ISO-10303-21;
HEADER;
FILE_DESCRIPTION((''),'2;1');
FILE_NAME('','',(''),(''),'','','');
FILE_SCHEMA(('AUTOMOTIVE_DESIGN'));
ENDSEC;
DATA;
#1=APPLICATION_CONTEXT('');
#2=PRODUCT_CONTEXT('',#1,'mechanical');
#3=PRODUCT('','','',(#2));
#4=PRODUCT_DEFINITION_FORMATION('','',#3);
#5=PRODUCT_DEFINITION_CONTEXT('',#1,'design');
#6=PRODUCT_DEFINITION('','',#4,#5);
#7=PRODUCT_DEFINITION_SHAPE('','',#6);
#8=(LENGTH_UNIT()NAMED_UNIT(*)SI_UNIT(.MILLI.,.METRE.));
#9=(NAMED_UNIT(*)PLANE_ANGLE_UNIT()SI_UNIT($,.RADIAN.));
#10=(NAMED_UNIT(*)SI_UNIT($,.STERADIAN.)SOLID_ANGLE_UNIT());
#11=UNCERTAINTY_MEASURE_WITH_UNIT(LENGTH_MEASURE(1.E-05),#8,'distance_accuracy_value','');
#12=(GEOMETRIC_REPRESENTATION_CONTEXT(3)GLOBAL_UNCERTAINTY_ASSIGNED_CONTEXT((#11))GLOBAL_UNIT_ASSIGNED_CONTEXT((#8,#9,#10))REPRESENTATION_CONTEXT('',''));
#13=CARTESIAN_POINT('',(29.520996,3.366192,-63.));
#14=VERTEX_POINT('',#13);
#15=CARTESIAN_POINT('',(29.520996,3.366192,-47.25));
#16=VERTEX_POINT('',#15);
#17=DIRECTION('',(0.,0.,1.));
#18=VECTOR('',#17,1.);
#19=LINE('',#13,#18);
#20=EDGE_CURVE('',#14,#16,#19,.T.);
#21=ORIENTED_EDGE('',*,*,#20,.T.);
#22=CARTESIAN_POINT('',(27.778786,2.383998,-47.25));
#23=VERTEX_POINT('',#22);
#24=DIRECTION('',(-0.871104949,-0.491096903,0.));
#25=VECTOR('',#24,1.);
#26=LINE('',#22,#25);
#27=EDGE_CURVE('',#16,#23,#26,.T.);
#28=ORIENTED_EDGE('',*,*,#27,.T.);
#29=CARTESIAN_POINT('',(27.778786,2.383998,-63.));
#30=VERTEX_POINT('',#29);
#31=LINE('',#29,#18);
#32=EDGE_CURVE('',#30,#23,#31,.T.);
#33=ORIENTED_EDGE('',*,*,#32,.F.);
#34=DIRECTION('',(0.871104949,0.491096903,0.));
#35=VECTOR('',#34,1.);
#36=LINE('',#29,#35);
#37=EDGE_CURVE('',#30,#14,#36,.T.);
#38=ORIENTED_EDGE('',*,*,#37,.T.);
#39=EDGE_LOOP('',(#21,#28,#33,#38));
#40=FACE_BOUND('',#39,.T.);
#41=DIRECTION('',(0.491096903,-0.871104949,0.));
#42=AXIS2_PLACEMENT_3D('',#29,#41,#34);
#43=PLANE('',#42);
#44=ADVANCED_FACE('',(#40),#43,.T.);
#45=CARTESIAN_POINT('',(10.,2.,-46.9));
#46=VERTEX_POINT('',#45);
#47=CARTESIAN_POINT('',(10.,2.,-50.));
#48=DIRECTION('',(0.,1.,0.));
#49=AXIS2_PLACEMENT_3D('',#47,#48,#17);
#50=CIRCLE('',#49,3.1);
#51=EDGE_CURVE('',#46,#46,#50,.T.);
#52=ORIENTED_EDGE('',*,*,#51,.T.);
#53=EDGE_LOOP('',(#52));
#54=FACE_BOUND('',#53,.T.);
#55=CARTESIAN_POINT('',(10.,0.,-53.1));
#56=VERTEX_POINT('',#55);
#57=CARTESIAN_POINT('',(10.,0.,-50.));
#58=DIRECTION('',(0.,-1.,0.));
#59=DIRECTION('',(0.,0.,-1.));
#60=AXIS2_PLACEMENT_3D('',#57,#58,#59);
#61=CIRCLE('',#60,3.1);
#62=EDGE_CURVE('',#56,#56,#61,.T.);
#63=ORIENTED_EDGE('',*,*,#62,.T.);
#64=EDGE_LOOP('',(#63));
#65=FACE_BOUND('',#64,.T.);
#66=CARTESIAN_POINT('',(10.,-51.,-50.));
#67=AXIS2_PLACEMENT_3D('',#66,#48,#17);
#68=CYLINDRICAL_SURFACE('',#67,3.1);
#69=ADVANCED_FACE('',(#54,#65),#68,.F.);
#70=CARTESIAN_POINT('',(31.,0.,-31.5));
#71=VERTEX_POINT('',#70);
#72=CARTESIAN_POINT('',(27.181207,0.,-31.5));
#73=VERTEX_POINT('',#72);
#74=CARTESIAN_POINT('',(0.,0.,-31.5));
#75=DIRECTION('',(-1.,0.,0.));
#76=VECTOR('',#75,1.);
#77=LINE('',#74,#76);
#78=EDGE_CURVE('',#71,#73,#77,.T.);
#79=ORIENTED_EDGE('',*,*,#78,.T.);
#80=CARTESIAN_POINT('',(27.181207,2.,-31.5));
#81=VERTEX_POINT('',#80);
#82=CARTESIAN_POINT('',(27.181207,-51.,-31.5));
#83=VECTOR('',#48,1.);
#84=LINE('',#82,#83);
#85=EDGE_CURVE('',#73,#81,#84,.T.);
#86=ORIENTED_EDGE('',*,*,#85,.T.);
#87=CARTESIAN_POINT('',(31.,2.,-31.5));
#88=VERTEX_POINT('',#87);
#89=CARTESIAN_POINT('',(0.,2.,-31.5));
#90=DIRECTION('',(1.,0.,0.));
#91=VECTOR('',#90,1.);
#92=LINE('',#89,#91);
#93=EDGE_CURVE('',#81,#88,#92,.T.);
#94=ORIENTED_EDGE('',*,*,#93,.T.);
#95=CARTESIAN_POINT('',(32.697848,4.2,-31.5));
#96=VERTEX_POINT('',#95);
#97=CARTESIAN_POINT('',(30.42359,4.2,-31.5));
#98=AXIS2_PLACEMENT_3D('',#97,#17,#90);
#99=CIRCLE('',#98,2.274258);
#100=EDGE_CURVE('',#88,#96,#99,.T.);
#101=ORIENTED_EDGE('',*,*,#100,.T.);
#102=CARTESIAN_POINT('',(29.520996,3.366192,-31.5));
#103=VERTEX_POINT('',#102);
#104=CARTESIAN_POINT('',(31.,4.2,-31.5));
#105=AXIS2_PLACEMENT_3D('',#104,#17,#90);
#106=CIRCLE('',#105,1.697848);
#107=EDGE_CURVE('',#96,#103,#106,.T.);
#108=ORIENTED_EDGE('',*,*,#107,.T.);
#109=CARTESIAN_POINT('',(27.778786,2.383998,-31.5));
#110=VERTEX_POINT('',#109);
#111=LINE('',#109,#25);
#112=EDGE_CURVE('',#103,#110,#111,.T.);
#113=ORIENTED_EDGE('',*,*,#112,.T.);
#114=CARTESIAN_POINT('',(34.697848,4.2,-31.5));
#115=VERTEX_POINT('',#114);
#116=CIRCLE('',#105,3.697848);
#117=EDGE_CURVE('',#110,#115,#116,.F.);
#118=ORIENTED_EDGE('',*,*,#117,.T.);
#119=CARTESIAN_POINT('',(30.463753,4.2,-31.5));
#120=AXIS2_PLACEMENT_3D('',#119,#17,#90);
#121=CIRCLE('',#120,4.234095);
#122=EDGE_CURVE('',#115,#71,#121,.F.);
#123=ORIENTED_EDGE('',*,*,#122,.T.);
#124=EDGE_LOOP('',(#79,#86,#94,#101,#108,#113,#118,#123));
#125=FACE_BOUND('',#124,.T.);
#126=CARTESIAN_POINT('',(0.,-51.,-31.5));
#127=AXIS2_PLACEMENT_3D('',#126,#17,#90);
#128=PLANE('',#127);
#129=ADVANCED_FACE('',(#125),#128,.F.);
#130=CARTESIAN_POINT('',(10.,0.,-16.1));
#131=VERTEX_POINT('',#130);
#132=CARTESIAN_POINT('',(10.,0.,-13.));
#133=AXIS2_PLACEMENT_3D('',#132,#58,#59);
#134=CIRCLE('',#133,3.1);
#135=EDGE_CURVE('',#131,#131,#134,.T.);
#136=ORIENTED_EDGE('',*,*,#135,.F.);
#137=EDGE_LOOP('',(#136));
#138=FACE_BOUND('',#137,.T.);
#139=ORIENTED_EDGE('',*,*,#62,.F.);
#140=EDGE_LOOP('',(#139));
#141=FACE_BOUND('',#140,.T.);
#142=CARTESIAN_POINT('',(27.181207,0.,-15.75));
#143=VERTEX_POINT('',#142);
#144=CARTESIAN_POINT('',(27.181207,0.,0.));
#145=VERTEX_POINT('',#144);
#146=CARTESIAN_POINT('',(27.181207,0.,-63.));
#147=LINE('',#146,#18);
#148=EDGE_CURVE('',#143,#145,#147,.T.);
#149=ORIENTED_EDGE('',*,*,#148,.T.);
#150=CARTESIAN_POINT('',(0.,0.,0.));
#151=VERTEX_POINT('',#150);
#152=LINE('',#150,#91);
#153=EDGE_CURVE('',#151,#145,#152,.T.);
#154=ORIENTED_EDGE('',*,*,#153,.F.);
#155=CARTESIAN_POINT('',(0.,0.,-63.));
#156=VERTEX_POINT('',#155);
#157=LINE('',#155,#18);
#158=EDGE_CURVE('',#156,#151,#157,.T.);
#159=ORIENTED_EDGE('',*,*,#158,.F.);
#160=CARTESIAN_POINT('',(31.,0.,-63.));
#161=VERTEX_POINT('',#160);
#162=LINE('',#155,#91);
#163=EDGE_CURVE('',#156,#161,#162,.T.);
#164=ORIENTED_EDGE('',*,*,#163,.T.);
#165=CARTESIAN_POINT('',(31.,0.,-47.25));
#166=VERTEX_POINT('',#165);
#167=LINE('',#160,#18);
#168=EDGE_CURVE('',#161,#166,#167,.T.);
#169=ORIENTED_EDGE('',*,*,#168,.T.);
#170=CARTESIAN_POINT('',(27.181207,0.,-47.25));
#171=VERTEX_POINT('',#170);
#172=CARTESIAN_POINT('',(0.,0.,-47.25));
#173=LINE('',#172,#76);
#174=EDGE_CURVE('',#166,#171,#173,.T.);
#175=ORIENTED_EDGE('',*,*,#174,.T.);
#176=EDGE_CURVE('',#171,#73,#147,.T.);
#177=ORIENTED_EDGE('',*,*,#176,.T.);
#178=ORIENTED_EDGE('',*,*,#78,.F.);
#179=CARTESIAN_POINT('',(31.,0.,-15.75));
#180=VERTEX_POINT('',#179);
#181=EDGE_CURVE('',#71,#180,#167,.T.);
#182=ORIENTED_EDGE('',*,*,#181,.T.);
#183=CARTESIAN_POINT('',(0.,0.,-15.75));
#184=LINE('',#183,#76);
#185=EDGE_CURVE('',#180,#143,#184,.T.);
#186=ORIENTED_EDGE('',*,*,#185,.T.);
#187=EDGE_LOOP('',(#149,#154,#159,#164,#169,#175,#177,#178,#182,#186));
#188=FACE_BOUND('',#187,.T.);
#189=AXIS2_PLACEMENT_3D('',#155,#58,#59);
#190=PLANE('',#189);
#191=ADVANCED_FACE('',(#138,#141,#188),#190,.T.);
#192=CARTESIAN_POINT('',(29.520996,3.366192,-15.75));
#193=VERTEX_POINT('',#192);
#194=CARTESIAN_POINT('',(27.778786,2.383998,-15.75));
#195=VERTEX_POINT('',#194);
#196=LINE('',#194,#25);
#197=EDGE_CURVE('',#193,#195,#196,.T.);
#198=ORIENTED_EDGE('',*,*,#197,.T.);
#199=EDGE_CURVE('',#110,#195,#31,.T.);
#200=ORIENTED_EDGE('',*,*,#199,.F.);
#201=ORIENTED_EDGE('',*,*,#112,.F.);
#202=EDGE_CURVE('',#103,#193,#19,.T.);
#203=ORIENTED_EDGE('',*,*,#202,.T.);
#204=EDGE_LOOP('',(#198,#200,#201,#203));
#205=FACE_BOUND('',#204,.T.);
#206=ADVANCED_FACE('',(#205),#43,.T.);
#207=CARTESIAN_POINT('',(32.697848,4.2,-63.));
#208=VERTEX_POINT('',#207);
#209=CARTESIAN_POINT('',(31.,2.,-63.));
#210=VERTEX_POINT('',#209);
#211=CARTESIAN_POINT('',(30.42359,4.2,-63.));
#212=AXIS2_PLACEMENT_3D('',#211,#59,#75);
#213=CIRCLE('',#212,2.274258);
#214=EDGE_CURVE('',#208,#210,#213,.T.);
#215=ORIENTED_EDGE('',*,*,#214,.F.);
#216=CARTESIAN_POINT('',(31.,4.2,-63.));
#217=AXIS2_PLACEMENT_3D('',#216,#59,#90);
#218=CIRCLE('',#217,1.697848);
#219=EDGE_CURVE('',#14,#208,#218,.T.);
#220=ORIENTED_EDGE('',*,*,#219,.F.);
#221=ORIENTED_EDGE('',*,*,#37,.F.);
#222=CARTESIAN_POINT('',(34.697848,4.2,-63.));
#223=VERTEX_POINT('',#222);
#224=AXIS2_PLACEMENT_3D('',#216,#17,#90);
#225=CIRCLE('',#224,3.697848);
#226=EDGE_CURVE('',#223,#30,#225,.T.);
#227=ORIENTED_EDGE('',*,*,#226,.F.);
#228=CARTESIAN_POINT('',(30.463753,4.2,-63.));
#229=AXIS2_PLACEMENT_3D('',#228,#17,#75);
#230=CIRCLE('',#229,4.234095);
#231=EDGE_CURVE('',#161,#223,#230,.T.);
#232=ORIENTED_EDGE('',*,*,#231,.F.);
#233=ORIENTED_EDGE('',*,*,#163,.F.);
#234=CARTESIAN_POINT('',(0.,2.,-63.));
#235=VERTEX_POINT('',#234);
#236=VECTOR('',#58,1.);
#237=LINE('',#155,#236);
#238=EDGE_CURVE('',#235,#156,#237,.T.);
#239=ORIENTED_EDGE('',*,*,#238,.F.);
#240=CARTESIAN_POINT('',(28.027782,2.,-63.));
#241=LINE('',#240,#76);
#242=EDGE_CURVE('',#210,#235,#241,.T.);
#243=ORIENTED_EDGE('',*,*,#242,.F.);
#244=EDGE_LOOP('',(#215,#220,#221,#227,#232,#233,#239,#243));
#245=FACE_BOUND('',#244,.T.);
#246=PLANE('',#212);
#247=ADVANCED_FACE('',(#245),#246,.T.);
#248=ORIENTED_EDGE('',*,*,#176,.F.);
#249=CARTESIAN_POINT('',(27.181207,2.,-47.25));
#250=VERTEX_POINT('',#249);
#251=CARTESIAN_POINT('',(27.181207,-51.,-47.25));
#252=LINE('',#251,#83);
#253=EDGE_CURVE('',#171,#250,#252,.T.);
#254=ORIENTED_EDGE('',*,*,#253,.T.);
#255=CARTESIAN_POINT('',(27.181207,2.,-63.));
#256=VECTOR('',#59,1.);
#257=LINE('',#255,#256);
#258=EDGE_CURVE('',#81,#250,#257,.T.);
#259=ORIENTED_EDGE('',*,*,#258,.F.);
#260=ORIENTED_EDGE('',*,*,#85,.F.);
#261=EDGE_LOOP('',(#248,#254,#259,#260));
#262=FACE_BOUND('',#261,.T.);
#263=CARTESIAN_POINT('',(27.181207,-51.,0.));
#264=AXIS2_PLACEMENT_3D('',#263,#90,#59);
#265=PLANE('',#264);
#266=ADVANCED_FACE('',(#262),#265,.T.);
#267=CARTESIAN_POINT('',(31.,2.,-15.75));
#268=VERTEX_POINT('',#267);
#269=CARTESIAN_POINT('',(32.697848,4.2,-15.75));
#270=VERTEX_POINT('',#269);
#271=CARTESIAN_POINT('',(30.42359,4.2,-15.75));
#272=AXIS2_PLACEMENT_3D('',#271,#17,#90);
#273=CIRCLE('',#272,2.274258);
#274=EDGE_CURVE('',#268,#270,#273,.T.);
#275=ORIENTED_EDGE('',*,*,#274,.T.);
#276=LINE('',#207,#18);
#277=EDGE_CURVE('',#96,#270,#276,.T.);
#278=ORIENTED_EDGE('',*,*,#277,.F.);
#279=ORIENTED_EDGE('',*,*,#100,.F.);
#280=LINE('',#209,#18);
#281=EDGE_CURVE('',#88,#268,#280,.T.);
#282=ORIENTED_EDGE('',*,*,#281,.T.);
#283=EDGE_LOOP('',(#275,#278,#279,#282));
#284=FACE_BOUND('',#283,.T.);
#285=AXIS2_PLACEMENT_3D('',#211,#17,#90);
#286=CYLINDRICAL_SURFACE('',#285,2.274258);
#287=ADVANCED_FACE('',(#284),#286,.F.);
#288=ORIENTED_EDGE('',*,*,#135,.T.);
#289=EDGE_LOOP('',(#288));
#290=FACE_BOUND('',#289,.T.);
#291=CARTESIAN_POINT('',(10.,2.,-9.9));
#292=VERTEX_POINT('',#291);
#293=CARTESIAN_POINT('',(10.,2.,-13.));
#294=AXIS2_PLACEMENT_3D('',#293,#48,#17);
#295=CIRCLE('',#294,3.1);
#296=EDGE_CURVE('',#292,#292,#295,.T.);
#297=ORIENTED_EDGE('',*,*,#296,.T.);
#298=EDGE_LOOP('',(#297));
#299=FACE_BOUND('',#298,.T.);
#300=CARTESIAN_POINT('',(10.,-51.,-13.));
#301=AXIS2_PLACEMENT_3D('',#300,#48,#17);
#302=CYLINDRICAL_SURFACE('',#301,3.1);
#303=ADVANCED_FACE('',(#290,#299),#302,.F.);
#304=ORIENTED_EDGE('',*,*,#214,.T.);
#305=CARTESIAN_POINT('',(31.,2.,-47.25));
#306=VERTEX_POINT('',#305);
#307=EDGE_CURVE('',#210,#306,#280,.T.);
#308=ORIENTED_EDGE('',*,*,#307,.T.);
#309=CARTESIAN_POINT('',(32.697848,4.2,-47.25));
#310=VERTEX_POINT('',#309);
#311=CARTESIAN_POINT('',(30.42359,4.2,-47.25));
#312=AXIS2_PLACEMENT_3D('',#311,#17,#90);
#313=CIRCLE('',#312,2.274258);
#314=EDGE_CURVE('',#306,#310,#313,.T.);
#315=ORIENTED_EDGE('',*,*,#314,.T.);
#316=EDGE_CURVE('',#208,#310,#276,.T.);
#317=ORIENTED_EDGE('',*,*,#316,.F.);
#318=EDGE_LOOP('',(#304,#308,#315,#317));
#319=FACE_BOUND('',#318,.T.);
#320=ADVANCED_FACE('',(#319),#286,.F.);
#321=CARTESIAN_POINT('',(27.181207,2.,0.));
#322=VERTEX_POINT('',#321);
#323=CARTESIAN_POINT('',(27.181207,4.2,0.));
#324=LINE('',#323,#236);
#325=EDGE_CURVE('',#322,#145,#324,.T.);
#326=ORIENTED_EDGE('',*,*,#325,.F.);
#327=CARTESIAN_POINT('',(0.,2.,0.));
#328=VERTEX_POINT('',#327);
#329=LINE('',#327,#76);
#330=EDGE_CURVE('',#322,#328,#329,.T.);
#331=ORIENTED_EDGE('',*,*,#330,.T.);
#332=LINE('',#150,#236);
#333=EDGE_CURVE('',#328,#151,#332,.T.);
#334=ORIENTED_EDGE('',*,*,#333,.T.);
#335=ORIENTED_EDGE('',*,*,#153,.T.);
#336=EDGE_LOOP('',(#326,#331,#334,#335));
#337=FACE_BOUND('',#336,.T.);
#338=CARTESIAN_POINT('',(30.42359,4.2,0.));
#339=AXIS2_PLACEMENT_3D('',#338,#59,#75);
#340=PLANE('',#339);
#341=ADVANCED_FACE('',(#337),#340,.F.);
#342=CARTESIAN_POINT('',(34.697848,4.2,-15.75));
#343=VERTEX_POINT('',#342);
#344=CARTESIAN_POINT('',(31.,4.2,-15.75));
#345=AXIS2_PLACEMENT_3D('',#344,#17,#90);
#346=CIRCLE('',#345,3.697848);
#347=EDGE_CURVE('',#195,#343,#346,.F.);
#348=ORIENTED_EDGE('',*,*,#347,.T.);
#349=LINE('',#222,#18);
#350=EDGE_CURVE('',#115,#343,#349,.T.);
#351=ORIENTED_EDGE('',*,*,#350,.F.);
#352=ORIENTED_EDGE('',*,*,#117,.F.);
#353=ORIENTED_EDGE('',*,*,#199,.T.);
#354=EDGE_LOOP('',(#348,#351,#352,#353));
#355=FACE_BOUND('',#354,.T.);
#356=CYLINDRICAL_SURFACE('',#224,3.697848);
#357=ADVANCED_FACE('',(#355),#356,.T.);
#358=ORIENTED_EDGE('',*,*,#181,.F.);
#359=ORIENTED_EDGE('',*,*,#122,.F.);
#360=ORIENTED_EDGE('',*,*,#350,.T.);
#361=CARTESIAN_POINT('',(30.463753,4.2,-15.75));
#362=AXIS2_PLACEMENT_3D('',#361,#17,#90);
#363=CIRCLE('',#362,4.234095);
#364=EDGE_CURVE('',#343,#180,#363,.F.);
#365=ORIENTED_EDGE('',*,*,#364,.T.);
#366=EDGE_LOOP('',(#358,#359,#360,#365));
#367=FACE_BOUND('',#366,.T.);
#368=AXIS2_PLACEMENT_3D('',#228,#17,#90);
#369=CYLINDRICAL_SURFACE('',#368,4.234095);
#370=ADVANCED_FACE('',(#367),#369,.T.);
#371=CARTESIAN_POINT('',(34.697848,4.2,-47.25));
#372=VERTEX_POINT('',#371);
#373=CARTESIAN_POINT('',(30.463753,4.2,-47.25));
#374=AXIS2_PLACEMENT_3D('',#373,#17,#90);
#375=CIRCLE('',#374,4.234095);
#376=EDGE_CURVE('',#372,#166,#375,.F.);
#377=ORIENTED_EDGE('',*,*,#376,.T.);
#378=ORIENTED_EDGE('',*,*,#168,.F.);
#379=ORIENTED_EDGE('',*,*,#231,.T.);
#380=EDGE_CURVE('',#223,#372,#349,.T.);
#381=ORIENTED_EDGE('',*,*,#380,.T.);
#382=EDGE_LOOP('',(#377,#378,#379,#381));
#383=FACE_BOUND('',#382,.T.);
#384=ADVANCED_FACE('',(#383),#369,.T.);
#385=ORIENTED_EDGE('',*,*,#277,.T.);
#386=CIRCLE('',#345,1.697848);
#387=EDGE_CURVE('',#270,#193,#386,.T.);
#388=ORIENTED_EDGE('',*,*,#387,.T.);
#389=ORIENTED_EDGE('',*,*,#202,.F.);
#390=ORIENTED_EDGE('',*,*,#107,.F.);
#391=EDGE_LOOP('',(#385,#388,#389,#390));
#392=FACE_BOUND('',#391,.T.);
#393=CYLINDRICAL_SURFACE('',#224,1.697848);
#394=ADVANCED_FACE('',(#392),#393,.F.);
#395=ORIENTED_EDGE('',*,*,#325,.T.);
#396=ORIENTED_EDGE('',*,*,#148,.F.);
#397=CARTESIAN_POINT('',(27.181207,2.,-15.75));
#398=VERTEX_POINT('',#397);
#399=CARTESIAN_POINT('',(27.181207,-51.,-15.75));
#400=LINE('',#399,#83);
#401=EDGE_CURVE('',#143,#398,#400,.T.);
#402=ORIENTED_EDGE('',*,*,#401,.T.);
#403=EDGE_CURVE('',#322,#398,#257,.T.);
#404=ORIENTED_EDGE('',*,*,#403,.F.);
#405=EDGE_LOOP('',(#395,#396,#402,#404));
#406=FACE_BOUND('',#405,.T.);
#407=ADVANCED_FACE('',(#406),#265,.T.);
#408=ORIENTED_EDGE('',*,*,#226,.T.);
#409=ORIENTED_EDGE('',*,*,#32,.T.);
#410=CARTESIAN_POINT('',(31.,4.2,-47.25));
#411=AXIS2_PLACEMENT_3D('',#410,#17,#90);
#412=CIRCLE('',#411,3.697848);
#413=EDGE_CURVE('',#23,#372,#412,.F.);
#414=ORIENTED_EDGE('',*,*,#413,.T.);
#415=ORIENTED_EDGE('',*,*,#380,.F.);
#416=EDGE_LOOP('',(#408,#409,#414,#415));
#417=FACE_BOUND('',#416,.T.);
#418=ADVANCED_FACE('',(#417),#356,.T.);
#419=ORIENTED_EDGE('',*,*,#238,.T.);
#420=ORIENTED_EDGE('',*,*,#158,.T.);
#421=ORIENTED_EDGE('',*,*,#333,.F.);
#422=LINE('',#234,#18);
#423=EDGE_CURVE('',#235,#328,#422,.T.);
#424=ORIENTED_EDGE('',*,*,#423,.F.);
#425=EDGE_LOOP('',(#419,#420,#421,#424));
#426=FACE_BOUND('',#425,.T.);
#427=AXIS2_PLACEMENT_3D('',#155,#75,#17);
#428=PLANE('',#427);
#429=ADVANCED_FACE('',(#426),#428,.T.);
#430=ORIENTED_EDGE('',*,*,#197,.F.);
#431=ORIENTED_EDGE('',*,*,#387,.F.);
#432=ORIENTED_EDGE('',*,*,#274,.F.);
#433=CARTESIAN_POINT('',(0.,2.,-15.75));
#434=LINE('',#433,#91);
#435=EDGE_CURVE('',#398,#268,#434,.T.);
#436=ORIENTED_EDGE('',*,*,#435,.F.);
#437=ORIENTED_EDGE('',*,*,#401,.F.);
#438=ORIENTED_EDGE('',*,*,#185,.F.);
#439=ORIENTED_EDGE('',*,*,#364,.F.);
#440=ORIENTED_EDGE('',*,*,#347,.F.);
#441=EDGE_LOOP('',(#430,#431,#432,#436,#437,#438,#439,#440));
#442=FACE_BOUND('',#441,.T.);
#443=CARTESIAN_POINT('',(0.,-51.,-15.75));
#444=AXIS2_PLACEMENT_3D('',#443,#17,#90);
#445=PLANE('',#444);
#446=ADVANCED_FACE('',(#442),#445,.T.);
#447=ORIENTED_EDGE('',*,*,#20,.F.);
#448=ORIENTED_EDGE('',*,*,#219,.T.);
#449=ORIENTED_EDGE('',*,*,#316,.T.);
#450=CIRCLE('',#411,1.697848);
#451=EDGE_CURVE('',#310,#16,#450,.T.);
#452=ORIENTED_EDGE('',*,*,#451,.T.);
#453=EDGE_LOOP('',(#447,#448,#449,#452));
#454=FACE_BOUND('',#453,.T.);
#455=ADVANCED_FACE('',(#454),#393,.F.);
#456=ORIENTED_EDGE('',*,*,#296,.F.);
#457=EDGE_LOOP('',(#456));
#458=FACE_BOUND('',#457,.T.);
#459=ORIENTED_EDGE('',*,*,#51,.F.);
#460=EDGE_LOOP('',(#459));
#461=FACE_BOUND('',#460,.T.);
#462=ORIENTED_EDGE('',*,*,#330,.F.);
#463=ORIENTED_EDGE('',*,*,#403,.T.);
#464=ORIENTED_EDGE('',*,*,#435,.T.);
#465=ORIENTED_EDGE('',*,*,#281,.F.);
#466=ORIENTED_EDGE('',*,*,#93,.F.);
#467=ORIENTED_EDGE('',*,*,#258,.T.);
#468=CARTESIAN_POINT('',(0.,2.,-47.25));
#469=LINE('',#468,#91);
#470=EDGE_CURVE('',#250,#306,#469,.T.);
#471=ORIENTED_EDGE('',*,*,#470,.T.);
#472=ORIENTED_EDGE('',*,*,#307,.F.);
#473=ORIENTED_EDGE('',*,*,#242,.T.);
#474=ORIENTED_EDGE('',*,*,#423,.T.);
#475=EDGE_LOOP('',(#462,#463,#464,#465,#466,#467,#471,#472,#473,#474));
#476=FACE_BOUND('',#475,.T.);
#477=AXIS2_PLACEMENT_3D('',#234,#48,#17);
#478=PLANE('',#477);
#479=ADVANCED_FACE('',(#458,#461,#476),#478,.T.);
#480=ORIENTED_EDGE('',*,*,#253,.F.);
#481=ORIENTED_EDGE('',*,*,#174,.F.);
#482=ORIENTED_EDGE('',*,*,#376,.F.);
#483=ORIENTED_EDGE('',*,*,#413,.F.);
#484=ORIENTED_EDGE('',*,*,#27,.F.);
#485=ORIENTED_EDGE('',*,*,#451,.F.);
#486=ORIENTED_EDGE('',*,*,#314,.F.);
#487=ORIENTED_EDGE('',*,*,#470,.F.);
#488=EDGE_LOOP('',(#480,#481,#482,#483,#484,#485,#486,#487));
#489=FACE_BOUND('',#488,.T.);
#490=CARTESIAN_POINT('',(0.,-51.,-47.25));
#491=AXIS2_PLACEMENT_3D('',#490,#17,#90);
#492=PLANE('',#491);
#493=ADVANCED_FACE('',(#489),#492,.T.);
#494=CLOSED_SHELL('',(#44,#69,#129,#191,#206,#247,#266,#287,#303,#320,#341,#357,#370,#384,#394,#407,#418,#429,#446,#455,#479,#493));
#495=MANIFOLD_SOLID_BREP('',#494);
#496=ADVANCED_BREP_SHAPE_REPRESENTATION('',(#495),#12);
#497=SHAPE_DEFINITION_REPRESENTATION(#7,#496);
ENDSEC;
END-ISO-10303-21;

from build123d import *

# Parameters (mm, degrees)
BOSS_EXTRUDE1_DEPTH = 63
SKETCH4_W           = 10.621571424
SKETCH4_H           = 15.75
SKETCH4_R           = 3.1
CUT_EXTRUDE5_DEPTH  = 63


with BuildPart() as part:
    # Sketch3 → Boss-Extrude1 (new body)
    with BuildSketch(Plane.XY):
        with BuildLine():
            Line((0, 0), (31, 0))
            ThreePointArc((31, 0), (33.641651825, 1.402050733), (34.697848077, 4.2))
            ThreePointArc((34.697848077, 4.2), (30.061245163, 7.776705153), (27.778786239, 2.383998263))
            Line((27.778786239, 2.383998263), (29.520996138, 3.366192068))
            ThreePointArc((29.520996138, 3.366192068), (30.568975506, 5.842225922), (32.697848077, 4.2))
            ThreePointArc((32.697848077, 4.2), (32.224028116, 2.810513756), (31, 2))
            Line((31, 2), (28.027781906, 2))
            Line((28.027781906, 2), (0, 2))
            Line((0, 2), (0, 0))
        make_face()
    extrude(amount=-BOSS_EXTRUDE1_DEPTH)

    # Sketch4 → Cut-Extrude5 (cut)
    with BuildSketch(Plane(origin=(0, 12, 0), x_dir=(1, 0, 0), z_dir=(0, 1, 0))):
        with Locations((32.491992857, 39.375)):
            Rectangle(SKETCH4_W, SKETCH4_H)
        with Locations((32.491992857, 7.875)):
            Rectangle(SKETCH4_W, SKETCH4_H)
        with Locations(Location((10, 13, 0), (0, 0, 270))):
            Circle(SKETCH4_R)
        with Locations(Location((10, 50, 0), (0, 0, 270))):
            Circle(SKETCH4_R)
    extrude(amount=-CUT_EXTRUDE5_DEPTH, mode=Mode.SUBTRACT)


solid = part.part
